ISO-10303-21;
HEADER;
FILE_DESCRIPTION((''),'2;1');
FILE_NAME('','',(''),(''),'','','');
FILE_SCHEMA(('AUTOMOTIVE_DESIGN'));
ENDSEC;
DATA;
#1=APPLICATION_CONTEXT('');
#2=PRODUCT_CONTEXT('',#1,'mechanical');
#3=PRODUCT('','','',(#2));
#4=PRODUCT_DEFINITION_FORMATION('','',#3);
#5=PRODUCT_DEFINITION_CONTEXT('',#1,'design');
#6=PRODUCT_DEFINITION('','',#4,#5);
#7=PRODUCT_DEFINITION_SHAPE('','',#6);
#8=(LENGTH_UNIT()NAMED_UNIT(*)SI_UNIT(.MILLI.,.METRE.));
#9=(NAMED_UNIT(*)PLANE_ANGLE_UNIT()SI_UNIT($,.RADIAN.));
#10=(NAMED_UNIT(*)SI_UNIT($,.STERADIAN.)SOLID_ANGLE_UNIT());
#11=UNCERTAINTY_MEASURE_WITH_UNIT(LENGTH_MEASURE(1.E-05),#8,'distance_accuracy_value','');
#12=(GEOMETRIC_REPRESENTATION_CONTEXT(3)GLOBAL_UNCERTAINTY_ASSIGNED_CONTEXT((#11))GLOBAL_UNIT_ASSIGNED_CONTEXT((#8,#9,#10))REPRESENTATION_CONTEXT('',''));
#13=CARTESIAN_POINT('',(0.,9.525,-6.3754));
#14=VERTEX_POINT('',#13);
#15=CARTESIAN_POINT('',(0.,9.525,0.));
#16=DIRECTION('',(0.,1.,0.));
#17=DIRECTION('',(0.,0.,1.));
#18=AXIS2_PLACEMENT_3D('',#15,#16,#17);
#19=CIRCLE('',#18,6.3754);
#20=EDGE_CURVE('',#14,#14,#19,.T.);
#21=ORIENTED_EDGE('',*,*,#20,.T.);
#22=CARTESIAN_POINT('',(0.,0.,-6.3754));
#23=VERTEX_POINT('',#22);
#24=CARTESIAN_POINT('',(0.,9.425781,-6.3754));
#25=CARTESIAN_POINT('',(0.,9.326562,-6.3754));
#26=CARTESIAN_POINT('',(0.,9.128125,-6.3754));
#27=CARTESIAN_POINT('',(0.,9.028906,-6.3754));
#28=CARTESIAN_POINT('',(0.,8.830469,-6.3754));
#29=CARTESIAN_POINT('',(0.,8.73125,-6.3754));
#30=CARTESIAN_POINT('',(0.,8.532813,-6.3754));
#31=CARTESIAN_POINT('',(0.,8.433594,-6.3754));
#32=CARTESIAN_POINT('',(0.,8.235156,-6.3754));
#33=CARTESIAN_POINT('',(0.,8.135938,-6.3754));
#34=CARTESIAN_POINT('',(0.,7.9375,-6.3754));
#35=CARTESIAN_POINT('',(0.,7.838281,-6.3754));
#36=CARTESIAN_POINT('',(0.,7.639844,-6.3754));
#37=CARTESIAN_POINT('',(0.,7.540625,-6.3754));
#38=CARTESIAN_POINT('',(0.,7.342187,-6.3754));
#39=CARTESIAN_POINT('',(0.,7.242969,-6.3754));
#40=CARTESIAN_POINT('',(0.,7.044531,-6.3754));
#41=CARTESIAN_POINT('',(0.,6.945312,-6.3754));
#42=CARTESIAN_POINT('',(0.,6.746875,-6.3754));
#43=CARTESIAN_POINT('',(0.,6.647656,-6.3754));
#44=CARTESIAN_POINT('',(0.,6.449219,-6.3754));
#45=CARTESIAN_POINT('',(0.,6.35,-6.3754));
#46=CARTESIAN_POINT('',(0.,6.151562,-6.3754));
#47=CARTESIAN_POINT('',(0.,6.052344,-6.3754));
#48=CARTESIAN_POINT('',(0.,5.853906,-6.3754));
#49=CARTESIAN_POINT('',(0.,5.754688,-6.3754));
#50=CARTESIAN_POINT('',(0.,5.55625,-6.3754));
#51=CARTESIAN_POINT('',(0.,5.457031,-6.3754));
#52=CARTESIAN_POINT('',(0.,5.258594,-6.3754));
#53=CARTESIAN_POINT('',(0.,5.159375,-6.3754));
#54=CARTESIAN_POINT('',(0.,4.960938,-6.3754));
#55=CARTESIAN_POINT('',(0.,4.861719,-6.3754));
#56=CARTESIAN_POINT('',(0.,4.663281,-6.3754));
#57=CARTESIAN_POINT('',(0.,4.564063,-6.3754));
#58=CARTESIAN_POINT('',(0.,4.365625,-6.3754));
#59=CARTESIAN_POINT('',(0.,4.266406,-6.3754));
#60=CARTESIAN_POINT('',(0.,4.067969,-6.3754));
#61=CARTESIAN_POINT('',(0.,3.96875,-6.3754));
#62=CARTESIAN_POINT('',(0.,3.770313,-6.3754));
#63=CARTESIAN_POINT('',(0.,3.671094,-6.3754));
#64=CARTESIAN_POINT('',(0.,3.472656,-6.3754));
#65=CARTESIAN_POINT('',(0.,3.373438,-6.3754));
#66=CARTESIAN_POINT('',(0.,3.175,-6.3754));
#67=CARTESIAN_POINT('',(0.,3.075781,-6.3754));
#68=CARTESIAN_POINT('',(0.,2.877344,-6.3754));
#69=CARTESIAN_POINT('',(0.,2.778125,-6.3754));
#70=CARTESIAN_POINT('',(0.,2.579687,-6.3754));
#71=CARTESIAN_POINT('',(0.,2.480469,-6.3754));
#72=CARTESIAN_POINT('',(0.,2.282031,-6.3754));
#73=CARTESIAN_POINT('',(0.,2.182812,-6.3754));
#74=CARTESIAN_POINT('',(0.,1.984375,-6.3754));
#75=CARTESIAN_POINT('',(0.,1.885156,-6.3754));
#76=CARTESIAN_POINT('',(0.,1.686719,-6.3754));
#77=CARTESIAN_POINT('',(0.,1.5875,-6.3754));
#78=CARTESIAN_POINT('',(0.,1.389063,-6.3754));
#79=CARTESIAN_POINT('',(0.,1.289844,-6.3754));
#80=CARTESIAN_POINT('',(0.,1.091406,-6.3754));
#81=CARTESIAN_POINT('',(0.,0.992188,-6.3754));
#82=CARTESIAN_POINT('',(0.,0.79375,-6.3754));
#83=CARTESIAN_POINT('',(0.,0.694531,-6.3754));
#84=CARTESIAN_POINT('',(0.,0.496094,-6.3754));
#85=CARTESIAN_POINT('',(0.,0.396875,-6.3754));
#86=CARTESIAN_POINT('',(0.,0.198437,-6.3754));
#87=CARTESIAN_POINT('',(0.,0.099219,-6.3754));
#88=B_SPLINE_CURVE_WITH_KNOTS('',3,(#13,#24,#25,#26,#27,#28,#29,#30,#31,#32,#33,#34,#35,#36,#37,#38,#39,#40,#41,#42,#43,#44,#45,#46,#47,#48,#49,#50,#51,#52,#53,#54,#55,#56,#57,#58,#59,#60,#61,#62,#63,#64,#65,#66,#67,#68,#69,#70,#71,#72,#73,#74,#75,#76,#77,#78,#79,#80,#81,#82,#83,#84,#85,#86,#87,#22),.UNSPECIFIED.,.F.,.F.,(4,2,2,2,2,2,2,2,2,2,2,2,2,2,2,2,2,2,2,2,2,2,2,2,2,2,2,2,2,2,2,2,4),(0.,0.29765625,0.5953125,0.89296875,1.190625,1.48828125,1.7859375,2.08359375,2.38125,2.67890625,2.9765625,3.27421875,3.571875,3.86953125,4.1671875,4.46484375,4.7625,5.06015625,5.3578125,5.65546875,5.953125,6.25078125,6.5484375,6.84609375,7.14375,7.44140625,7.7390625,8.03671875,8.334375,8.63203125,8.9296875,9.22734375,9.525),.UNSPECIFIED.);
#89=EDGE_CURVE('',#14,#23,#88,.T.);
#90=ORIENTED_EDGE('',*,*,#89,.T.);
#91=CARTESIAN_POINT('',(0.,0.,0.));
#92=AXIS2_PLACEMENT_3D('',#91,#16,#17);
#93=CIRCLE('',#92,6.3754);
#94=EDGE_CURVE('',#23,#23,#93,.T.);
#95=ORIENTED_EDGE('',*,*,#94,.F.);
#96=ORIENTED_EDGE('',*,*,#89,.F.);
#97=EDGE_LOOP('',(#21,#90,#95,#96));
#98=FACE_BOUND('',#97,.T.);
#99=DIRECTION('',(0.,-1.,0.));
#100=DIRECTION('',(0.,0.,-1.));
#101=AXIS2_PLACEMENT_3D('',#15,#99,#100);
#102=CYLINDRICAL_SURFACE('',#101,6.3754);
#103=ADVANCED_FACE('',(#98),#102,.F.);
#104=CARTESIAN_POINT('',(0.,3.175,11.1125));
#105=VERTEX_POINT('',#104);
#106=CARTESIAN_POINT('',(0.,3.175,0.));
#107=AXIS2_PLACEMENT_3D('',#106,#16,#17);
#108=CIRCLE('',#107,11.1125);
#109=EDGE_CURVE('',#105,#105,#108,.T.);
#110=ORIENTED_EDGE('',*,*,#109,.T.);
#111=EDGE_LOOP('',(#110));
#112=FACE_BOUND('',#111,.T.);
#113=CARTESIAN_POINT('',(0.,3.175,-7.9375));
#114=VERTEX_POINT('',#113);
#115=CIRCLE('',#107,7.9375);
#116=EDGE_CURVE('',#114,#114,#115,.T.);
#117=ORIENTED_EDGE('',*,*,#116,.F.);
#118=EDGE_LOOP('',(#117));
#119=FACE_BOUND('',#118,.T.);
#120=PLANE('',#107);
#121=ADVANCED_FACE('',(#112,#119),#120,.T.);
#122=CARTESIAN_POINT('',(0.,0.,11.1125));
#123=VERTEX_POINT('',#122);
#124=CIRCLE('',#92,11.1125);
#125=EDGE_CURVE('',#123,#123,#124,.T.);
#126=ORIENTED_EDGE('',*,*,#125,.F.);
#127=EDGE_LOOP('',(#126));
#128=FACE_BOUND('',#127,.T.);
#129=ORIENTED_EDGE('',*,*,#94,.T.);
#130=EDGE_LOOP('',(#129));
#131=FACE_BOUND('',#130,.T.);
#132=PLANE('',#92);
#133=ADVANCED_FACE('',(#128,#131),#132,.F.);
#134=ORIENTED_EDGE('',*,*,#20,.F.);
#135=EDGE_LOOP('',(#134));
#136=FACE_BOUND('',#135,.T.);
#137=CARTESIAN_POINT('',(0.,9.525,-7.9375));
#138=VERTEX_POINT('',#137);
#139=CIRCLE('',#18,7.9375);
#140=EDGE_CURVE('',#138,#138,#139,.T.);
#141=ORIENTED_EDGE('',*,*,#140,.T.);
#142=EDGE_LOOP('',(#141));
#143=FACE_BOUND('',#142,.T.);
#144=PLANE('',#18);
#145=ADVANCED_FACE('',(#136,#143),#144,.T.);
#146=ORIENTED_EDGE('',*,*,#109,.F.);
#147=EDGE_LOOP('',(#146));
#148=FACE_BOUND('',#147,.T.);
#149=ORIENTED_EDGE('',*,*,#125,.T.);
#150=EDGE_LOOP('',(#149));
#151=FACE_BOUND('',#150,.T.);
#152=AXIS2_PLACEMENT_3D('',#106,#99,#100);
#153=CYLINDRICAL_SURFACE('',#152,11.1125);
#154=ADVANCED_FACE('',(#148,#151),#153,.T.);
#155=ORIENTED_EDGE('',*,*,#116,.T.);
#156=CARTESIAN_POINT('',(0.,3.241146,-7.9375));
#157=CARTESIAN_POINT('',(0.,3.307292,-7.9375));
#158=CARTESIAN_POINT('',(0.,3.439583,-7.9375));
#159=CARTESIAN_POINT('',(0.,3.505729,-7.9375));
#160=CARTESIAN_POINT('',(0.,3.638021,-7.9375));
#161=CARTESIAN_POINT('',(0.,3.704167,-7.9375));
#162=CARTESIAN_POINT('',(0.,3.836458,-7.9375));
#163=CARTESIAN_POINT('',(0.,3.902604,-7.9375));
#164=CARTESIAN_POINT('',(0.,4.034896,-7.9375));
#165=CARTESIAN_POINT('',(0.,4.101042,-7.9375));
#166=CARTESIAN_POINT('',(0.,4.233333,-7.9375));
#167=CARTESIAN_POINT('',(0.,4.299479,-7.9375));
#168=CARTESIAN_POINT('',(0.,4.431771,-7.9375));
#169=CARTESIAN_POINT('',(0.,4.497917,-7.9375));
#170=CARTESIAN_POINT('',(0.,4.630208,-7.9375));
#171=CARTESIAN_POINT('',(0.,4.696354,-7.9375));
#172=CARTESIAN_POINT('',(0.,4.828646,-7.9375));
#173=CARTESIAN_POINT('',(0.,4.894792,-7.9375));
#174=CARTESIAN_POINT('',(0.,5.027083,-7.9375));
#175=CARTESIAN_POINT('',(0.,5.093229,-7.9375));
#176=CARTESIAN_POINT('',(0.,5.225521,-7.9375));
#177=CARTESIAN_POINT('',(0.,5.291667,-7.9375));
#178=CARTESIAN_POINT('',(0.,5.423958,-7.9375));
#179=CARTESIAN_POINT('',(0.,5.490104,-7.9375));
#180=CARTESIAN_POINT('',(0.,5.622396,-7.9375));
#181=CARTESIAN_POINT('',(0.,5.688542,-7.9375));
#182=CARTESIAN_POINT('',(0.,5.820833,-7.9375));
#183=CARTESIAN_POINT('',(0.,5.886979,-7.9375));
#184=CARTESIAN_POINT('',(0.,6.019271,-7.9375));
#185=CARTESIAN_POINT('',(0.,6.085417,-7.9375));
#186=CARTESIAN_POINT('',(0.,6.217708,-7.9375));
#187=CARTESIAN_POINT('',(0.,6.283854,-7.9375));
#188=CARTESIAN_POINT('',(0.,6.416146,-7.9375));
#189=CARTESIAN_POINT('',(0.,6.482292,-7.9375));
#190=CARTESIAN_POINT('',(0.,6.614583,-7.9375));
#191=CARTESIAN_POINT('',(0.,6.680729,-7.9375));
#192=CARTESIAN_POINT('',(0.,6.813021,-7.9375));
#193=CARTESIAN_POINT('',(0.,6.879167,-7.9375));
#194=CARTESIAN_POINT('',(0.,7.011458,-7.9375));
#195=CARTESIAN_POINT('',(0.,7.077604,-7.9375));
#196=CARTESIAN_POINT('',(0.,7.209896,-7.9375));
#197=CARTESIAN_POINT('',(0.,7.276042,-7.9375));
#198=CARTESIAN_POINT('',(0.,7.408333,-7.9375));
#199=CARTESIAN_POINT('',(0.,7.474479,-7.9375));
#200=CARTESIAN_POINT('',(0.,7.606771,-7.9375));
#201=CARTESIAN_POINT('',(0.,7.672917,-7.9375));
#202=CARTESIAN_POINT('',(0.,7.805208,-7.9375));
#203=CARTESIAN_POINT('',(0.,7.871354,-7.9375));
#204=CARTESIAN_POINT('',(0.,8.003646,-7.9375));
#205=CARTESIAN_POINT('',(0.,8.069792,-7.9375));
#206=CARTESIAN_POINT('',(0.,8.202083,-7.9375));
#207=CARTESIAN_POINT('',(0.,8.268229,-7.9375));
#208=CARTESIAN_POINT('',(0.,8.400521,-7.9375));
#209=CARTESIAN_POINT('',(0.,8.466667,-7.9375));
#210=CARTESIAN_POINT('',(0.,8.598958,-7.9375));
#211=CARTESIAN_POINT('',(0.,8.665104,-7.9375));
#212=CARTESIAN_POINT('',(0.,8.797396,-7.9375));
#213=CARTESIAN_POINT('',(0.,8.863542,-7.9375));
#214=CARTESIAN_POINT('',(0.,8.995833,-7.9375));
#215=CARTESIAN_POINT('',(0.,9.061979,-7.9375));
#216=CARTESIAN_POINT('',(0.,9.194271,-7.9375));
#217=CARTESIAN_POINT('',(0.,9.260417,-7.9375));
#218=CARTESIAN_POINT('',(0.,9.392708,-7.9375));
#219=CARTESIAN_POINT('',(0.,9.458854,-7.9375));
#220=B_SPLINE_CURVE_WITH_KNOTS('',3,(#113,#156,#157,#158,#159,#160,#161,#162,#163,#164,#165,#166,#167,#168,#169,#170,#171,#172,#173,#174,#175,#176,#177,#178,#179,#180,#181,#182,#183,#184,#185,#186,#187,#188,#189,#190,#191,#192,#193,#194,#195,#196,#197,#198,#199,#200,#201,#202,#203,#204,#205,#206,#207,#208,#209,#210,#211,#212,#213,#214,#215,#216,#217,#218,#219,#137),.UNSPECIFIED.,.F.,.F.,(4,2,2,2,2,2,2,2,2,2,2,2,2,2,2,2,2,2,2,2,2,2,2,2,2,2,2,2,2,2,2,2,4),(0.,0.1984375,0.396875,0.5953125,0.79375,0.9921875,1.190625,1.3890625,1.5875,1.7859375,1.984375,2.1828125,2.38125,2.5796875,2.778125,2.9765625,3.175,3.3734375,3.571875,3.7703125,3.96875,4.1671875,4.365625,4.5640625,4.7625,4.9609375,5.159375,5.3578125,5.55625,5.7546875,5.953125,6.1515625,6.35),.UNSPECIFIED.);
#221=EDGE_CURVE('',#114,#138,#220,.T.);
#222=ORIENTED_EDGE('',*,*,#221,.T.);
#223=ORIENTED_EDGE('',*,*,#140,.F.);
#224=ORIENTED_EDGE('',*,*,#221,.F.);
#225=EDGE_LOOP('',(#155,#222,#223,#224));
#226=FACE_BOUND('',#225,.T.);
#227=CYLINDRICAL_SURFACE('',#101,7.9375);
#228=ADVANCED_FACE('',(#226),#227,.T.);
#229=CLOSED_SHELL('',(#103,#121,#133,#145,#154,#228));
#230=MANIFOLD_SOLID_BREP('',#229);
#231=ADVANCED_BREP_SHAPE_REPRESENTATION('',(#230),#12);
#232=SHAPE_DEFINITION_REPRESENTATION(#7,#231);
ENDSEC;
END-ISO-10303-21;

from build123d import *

# Parameters (mm, degrees)
SKETCH2_R           = 7.9375
SKETCH2_R_2         = 6.3754
BOSS_EXTRUDE1_DEPTH = 9.525
SKETCH3_R           = 11.1125
SKETCH3_R_2         = 7.9375
BOSS_EXTRUDE2_DEPTH = 3.175


with BuildPart() as part:
    # Sketch2 → Boss-Extrude1 (new body)
    with BuildSketch(Plane(origin=(0, 0, 0), x_dir=(1, 0, 0), z_dir=(0, 1, 0))):
        with Locations(Location((0, 0, 0), (0, 0, 90))):
            Circle(SKETCH2_R)
        with Locations(Location((0, 0, 0), (0, 0, 90))):
            Circle(SKETCH2_R_2, mode=Mode.SUBTRACT)
    extrude(amount=BOSS_EXTRUDE1_DEPTH)

    # Sketch3 → Boss-Extrude2 (add)
    with BuildSketch(Plane(origin=(0, 0, 0), x_dir=(1, 0, 0), z_dir=(0, 1, 0))):
        with Locations(Location((0, 0, 0), (0, 0, 270))):
            Circle(SKETCH3_R)
        with Locations(Location((0, 0, 0), (0, 0, 90))):
            Circle(SKETCH3_R_2, mode=Mode.SUBTRACT)
    extrude(amount=BOSS_EXTRUDE2_DEPTH)


solid = part.part
